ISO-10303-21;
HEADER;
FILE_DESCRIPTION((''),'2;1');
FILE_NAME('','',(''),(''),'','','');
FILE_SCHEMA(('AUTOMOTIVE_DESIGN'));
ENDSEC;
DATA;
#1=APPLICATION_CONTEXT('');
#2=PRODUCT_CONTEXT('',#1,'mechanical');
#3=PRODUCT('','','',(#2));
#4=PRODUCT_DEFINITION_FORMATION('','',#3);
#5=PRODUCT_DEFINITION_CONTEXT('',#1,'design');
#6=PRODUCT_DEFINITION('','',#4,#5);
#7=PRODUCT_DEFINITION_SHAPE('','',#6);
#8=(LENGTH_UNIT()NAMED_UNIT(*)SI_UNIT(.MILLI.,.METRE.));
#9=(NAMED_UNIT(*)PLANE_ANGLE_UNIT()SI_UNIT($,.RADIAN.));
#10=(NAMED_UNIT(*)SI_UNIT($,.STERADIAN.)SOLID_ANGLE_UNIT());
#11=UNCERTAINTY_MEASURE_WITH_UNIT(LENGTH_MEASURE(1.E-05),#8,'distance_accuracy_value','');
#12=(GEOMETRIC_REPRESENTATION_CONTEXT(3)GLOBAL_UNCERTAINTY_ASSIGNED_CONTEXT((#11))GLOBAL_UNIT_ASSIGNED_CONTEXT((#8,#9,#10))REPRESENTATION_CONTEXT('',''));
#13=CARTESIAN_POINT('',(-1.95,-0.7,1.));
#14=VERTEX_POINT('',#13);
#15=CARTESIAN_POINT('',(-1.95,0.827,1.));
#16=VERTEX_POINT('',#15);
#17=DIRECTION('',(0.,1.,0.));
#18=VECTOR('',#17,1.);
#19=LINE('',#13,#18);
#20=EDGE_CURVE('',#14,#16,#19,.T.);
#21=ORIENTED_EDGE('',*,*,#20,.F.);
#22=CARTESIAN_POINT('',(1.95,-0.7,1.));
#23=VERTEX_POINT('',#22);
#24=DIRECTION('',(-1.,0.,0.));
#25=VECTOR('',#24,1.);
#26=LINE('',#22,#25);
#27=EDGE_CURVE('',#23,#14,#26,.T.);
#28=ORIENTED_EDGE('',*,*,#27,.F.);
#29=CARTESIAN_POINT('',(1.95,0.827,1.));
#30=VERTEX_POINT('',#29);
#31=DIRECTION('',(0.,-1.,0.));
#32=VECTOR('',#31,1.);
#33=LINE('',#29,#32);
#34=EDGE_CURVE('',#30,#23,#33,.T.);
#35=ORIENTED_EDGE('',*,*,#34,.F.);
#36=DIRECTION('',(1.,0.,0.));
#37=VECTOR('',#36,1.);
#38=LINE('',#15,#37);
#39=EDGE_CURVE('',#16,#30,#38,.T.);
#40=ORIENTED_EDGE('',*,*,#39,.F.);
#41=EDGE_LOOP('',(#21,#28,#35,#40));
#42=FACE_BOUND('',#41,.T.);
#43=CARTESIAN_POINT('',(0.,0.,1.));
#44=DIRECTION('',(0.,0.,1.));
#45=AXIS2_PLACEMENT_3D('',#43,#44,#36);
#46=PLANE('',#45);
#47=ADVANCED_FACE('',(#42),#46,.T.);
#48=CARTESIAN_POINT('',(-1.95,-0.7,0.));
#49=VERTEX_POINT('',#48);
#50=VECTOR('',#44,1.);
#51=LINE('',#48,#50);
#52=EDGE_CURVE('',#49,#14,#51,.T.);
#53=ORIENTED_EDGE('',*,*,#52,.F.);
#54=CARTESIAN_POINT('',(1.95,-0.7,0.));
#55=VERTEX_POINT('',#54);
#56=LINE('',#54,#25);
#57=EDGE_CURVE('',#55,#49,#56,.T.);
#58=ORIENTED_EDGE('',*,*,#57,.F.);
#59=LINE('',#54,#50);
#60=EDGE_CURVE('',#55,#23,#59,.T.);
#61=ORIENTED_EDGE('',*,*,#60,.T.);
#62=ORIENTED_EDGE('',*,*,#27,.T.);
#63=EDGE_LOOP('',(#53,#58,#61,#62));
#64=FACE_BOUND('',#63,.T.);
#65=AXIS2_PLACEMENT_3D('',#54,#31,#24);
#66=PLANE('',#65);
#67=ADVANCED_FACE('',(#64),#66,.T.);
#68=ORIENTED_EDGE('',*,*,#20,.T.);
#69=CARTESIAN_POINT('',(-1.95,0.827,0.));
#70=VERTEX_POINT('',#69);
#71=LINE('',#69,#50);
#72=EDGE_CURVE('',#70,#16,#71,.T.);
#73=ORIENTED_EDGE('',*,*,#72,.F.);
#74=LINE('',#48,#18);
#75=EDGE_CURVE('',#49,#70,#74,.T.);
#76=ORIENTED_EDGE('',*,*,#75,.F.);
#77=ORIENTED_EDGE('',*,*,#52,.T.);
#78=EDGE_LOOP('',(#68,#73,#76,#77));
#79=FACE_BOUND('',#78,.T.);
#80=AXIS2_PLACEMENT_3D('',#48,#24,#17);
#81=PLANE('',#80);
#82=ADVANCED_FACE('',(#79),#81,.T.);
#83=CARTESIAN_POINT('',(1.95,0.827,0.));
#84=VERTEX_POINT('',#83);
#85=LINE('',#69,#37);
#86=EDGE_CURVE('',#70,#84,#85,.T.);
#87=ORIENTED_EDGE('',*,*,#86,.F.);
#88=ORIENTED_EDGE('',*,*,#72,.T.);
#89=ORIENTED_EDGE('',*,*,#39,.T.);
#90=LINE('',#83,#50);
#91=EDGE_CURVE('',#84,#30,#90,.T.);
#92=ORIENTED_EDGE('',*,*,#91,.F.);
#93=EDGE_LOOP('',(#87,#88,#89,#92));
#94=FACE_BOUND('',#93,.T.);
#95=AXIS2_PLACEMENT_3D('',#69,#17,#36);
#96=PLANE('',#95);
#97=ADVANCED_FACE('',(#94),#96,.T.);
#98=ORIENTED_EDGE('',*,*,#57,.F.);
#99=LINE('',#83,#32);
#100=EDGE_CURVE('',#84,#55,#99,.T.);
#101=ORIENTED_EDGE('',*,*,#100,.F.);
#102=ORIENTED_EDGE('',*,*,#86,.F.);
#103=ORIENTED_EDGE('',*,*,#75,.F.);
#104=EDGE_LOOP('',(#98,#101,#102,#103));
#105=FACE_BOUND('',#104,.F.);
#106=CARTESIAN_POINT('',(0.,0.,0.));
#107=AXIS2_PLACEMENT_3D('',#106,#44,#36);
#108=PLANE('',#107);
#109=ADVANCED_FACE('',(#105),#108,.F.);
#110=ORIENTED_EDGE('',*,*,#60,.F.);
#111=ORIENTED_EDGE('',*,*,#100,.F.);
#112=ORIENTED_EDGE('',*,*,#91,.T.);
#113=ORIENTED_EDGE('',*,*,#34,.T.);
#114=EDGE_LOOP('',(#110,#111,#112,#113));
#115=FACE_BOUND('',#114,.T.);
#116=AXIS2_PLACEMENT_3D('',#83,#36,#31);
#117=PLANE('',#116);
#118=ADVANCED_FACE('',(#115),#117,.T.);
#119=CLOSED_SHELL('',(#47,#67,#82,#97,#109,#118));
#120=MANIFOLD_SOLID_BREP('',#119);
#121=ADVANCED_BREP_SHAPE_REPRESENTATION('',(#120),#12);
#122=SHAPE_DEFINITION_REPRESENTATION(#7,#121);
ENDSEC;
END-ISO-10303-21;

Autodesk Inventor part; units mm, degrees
ref_plane "YZ Plane" through (0, 0, 0) normal (1, 0, 0) x (0, 1, 0)
ref_plane "XZ Plane" through (0, 0, 0) normal (0, 1, 0) x (-1, 0, 0)
ref_plane "XY Plane" through (0, 0, 0) normal (0, 0, 1) x (1, 0, 0)
sketch "SOD123, D6_SOD123_21" plane through (0, 0, 0) normal (0, 0, 1) x (1, 0, 0)
  line L0 (-1.95, 0.827) -> (1.95, 0.827)
  line L1 (1.95, 0.827) -> (1.95, -0.7)
  line L2 (1.95, -0.7) -> (-1.95, -0.7)
  line L3 (-1.95, -0.7) -> (-1.95, 0.827)
extrude "Extrusion1" add sketch "SOD123, D6_SOD123_21" along normal blind 1
properties part number "D6_SOD123"
